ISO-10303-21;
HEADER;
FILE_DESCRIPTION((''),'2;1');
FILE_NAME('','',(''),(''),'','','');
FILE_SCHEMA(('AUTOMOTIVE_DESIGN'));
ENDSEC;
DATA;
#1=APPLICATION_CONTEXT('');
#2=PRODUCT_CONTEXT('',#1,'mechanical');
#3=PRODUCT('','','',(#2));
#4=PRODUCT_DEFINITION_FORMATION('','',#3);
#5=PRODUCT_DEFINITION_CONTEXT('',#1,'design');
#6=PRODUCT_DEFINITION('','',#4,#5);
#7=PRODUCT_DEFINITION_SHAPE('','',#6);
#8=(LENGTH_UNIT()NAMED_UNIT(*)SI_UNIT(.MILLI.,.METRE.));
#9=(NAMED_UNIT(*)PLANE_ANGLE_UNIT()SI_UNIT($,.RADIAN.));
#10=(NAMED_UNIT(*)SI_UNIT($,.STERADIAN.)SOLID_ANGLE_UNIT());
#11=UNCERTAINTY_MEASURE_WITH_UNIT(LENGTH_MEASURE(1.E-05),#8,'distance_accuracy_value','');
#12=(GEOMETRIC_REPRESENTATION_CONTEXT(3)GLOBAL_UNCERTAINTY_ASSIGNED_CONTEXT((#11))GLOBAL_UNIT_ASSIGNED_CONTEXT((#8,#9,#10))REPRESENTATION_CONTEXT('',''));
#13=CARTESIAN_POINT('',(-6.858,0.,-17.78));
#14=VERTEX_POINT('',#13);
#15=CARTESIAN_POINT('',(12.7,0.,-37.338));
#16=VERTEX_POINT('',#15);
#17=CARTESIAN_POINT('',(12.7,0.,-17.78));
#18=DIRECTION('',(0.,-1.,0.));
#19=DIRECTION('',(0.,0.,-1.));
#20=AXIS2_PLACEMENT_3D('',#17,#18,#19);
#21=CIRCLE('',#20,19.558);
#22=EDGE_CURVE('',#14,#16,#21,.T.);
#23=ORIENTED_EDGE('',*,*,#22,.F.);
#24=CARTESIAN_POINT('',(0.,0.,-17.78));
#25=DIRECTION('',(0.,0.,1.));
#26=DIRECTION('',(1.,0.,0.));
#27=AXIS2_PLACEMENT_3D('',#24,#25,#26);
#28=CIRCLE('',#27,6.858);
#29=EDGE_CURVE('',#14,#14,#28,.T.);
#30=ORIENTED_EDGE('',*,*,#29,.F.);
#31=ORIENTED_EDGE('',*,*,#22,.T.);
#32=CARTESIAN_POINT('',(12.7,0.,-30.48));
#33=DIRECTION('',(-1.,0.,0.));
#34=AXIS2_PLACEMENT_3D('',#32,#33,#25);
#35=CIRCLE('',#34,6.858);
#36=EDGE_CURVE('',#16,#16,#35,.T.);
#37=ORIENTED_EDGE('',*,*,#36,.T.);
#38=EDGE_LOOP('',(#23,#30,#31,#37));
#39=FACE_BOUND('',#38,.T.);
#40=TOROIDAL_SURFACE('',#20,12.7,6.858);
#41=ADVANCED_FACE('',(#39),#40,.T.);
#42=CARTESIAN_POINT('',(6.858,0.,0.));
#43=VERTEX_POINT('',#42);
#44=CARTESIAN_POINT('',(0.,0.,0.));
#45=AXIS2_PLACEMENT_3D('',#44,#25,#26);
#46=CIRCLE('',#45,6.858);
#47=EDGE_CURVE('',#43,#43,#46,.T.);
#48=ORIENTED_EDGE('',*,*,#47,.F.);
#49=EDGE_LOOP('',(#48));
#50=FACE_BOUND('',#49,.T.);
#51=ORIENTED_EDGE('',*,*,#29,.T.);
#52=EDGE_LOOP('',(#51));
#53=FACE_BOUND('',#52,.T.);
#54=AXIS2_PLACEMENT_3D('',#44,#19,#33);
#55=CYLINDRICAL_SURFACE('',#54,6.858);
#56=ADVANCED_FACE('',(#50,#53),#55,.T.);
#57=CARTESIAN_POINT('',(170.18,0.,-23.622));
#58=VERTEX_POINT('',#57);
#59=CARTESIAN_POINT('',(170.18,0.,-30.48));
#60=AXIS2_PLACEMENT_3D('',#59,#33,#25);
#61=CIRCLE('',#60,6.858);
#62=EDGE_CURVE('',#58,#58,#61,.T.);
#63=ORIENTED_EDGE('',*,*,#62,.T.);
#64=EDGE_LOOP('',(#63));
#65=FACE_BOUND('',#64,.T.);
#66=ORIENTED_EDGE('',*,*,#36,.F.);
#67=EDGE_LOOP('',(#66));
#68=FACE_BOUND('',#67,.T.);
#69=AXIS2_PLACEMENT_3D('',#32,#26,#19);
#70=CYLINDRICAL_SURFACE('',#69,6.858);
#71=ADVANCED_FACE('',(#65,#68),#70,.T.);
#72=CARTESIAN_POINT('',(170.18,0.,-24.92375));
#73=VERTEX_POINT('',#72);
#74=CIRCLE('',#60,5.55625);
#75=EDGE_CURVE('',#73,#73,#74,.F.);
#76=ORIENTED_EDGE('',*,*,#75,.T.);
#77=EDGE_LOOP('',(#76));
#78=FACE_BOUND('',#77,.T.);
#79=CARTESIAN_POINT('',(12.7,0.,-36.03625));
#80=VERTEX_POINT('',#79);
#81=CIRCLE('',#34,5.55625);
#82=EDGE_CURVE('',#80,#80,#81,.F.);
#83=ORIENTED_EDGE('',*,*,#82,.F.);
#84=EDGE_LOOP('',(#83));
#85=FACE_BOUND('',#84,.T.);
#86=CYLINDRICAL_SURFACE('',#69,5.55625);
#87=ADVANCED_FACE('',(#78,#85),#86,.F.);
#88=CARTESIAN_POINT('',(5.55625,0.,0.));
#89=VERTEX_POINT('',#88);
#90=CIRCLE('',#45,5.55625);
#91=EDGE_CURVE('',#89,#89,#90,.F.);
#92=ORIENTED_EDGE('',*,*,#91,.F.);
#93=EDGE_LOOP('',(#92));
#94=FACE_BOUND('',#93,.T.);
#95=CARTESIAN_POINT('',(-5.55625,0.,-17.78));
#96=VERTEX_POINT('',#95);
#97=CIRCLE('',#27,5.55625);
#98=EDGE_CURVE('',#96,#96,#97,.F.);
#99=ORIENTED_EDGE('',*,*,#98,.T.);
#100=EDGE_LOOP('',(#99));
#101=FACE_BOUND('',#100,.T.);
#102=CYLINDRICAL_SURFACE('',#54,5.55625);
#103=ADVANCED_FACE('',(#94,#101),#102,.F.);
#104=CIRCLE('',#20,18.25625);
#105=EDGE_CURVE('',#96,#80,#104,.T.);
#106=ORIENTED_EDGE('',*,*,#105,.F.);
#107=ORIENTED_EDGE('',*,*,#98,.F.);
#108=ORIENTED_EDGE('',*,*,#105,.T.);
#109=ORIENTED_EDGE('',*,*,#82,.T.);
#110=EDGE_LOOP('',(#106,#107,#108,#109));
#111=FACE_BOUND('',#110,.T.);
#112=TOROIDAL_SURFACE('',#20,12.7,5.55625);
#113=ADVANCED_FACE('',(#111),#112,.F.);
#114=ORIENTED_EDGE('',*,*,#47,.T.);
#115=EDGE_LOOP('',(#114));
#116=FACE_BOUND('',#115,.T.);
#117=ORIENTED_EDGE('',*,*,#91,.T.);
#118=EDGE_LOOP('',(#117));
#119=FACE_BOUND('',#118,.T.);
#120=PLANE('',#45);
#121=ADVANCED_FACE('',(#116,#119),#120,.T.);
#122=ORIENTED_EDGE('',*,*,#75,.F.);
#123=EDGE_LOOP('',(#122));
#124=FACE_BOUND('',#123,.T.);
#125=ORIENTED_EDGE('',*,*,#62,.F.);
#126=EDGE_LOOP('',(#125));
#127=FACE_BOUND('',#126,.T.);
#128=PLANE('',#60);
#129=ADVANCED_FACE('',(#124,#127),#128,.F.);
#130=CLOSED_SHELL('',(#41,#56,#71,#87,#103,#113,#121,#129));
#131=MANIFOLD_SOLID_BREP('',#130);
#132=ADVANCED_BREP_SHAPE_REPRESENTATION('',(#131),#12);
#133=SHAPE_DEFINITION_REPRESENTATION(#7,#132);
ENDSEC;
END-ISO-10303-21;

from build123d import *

# Parameters (mm, degrees)
SKETCH2_R   = 6.858
SKETCH2_R_2 = 5.55625


with BuildPart() as part:
    # Sweep5: sweep along a path in Sketch6
    with BuildLine(Plane(origin=(0, 0, 0), x_dir=(1, 0, 0), z_dir=(0, 1, 0))) as sweep5_path:
        Line((0, 0), (0, 17.78))
        ThreePointArc((0, 17.78), (3.719743879, 26.760256121), (12.7, 30.48))
        Line((12.7, 30.48), (170.18, 30.48))
    # Sketch2 → Sweep5 (sweep)
    with BuildSketch(Plane.XY):
        Circle(SKETCH2_R)
        Circle(SKETCH2_R_2, mode=Mode.SUBTRACT)
    sweep(path=sweep5_path.line)


solid = part.part
